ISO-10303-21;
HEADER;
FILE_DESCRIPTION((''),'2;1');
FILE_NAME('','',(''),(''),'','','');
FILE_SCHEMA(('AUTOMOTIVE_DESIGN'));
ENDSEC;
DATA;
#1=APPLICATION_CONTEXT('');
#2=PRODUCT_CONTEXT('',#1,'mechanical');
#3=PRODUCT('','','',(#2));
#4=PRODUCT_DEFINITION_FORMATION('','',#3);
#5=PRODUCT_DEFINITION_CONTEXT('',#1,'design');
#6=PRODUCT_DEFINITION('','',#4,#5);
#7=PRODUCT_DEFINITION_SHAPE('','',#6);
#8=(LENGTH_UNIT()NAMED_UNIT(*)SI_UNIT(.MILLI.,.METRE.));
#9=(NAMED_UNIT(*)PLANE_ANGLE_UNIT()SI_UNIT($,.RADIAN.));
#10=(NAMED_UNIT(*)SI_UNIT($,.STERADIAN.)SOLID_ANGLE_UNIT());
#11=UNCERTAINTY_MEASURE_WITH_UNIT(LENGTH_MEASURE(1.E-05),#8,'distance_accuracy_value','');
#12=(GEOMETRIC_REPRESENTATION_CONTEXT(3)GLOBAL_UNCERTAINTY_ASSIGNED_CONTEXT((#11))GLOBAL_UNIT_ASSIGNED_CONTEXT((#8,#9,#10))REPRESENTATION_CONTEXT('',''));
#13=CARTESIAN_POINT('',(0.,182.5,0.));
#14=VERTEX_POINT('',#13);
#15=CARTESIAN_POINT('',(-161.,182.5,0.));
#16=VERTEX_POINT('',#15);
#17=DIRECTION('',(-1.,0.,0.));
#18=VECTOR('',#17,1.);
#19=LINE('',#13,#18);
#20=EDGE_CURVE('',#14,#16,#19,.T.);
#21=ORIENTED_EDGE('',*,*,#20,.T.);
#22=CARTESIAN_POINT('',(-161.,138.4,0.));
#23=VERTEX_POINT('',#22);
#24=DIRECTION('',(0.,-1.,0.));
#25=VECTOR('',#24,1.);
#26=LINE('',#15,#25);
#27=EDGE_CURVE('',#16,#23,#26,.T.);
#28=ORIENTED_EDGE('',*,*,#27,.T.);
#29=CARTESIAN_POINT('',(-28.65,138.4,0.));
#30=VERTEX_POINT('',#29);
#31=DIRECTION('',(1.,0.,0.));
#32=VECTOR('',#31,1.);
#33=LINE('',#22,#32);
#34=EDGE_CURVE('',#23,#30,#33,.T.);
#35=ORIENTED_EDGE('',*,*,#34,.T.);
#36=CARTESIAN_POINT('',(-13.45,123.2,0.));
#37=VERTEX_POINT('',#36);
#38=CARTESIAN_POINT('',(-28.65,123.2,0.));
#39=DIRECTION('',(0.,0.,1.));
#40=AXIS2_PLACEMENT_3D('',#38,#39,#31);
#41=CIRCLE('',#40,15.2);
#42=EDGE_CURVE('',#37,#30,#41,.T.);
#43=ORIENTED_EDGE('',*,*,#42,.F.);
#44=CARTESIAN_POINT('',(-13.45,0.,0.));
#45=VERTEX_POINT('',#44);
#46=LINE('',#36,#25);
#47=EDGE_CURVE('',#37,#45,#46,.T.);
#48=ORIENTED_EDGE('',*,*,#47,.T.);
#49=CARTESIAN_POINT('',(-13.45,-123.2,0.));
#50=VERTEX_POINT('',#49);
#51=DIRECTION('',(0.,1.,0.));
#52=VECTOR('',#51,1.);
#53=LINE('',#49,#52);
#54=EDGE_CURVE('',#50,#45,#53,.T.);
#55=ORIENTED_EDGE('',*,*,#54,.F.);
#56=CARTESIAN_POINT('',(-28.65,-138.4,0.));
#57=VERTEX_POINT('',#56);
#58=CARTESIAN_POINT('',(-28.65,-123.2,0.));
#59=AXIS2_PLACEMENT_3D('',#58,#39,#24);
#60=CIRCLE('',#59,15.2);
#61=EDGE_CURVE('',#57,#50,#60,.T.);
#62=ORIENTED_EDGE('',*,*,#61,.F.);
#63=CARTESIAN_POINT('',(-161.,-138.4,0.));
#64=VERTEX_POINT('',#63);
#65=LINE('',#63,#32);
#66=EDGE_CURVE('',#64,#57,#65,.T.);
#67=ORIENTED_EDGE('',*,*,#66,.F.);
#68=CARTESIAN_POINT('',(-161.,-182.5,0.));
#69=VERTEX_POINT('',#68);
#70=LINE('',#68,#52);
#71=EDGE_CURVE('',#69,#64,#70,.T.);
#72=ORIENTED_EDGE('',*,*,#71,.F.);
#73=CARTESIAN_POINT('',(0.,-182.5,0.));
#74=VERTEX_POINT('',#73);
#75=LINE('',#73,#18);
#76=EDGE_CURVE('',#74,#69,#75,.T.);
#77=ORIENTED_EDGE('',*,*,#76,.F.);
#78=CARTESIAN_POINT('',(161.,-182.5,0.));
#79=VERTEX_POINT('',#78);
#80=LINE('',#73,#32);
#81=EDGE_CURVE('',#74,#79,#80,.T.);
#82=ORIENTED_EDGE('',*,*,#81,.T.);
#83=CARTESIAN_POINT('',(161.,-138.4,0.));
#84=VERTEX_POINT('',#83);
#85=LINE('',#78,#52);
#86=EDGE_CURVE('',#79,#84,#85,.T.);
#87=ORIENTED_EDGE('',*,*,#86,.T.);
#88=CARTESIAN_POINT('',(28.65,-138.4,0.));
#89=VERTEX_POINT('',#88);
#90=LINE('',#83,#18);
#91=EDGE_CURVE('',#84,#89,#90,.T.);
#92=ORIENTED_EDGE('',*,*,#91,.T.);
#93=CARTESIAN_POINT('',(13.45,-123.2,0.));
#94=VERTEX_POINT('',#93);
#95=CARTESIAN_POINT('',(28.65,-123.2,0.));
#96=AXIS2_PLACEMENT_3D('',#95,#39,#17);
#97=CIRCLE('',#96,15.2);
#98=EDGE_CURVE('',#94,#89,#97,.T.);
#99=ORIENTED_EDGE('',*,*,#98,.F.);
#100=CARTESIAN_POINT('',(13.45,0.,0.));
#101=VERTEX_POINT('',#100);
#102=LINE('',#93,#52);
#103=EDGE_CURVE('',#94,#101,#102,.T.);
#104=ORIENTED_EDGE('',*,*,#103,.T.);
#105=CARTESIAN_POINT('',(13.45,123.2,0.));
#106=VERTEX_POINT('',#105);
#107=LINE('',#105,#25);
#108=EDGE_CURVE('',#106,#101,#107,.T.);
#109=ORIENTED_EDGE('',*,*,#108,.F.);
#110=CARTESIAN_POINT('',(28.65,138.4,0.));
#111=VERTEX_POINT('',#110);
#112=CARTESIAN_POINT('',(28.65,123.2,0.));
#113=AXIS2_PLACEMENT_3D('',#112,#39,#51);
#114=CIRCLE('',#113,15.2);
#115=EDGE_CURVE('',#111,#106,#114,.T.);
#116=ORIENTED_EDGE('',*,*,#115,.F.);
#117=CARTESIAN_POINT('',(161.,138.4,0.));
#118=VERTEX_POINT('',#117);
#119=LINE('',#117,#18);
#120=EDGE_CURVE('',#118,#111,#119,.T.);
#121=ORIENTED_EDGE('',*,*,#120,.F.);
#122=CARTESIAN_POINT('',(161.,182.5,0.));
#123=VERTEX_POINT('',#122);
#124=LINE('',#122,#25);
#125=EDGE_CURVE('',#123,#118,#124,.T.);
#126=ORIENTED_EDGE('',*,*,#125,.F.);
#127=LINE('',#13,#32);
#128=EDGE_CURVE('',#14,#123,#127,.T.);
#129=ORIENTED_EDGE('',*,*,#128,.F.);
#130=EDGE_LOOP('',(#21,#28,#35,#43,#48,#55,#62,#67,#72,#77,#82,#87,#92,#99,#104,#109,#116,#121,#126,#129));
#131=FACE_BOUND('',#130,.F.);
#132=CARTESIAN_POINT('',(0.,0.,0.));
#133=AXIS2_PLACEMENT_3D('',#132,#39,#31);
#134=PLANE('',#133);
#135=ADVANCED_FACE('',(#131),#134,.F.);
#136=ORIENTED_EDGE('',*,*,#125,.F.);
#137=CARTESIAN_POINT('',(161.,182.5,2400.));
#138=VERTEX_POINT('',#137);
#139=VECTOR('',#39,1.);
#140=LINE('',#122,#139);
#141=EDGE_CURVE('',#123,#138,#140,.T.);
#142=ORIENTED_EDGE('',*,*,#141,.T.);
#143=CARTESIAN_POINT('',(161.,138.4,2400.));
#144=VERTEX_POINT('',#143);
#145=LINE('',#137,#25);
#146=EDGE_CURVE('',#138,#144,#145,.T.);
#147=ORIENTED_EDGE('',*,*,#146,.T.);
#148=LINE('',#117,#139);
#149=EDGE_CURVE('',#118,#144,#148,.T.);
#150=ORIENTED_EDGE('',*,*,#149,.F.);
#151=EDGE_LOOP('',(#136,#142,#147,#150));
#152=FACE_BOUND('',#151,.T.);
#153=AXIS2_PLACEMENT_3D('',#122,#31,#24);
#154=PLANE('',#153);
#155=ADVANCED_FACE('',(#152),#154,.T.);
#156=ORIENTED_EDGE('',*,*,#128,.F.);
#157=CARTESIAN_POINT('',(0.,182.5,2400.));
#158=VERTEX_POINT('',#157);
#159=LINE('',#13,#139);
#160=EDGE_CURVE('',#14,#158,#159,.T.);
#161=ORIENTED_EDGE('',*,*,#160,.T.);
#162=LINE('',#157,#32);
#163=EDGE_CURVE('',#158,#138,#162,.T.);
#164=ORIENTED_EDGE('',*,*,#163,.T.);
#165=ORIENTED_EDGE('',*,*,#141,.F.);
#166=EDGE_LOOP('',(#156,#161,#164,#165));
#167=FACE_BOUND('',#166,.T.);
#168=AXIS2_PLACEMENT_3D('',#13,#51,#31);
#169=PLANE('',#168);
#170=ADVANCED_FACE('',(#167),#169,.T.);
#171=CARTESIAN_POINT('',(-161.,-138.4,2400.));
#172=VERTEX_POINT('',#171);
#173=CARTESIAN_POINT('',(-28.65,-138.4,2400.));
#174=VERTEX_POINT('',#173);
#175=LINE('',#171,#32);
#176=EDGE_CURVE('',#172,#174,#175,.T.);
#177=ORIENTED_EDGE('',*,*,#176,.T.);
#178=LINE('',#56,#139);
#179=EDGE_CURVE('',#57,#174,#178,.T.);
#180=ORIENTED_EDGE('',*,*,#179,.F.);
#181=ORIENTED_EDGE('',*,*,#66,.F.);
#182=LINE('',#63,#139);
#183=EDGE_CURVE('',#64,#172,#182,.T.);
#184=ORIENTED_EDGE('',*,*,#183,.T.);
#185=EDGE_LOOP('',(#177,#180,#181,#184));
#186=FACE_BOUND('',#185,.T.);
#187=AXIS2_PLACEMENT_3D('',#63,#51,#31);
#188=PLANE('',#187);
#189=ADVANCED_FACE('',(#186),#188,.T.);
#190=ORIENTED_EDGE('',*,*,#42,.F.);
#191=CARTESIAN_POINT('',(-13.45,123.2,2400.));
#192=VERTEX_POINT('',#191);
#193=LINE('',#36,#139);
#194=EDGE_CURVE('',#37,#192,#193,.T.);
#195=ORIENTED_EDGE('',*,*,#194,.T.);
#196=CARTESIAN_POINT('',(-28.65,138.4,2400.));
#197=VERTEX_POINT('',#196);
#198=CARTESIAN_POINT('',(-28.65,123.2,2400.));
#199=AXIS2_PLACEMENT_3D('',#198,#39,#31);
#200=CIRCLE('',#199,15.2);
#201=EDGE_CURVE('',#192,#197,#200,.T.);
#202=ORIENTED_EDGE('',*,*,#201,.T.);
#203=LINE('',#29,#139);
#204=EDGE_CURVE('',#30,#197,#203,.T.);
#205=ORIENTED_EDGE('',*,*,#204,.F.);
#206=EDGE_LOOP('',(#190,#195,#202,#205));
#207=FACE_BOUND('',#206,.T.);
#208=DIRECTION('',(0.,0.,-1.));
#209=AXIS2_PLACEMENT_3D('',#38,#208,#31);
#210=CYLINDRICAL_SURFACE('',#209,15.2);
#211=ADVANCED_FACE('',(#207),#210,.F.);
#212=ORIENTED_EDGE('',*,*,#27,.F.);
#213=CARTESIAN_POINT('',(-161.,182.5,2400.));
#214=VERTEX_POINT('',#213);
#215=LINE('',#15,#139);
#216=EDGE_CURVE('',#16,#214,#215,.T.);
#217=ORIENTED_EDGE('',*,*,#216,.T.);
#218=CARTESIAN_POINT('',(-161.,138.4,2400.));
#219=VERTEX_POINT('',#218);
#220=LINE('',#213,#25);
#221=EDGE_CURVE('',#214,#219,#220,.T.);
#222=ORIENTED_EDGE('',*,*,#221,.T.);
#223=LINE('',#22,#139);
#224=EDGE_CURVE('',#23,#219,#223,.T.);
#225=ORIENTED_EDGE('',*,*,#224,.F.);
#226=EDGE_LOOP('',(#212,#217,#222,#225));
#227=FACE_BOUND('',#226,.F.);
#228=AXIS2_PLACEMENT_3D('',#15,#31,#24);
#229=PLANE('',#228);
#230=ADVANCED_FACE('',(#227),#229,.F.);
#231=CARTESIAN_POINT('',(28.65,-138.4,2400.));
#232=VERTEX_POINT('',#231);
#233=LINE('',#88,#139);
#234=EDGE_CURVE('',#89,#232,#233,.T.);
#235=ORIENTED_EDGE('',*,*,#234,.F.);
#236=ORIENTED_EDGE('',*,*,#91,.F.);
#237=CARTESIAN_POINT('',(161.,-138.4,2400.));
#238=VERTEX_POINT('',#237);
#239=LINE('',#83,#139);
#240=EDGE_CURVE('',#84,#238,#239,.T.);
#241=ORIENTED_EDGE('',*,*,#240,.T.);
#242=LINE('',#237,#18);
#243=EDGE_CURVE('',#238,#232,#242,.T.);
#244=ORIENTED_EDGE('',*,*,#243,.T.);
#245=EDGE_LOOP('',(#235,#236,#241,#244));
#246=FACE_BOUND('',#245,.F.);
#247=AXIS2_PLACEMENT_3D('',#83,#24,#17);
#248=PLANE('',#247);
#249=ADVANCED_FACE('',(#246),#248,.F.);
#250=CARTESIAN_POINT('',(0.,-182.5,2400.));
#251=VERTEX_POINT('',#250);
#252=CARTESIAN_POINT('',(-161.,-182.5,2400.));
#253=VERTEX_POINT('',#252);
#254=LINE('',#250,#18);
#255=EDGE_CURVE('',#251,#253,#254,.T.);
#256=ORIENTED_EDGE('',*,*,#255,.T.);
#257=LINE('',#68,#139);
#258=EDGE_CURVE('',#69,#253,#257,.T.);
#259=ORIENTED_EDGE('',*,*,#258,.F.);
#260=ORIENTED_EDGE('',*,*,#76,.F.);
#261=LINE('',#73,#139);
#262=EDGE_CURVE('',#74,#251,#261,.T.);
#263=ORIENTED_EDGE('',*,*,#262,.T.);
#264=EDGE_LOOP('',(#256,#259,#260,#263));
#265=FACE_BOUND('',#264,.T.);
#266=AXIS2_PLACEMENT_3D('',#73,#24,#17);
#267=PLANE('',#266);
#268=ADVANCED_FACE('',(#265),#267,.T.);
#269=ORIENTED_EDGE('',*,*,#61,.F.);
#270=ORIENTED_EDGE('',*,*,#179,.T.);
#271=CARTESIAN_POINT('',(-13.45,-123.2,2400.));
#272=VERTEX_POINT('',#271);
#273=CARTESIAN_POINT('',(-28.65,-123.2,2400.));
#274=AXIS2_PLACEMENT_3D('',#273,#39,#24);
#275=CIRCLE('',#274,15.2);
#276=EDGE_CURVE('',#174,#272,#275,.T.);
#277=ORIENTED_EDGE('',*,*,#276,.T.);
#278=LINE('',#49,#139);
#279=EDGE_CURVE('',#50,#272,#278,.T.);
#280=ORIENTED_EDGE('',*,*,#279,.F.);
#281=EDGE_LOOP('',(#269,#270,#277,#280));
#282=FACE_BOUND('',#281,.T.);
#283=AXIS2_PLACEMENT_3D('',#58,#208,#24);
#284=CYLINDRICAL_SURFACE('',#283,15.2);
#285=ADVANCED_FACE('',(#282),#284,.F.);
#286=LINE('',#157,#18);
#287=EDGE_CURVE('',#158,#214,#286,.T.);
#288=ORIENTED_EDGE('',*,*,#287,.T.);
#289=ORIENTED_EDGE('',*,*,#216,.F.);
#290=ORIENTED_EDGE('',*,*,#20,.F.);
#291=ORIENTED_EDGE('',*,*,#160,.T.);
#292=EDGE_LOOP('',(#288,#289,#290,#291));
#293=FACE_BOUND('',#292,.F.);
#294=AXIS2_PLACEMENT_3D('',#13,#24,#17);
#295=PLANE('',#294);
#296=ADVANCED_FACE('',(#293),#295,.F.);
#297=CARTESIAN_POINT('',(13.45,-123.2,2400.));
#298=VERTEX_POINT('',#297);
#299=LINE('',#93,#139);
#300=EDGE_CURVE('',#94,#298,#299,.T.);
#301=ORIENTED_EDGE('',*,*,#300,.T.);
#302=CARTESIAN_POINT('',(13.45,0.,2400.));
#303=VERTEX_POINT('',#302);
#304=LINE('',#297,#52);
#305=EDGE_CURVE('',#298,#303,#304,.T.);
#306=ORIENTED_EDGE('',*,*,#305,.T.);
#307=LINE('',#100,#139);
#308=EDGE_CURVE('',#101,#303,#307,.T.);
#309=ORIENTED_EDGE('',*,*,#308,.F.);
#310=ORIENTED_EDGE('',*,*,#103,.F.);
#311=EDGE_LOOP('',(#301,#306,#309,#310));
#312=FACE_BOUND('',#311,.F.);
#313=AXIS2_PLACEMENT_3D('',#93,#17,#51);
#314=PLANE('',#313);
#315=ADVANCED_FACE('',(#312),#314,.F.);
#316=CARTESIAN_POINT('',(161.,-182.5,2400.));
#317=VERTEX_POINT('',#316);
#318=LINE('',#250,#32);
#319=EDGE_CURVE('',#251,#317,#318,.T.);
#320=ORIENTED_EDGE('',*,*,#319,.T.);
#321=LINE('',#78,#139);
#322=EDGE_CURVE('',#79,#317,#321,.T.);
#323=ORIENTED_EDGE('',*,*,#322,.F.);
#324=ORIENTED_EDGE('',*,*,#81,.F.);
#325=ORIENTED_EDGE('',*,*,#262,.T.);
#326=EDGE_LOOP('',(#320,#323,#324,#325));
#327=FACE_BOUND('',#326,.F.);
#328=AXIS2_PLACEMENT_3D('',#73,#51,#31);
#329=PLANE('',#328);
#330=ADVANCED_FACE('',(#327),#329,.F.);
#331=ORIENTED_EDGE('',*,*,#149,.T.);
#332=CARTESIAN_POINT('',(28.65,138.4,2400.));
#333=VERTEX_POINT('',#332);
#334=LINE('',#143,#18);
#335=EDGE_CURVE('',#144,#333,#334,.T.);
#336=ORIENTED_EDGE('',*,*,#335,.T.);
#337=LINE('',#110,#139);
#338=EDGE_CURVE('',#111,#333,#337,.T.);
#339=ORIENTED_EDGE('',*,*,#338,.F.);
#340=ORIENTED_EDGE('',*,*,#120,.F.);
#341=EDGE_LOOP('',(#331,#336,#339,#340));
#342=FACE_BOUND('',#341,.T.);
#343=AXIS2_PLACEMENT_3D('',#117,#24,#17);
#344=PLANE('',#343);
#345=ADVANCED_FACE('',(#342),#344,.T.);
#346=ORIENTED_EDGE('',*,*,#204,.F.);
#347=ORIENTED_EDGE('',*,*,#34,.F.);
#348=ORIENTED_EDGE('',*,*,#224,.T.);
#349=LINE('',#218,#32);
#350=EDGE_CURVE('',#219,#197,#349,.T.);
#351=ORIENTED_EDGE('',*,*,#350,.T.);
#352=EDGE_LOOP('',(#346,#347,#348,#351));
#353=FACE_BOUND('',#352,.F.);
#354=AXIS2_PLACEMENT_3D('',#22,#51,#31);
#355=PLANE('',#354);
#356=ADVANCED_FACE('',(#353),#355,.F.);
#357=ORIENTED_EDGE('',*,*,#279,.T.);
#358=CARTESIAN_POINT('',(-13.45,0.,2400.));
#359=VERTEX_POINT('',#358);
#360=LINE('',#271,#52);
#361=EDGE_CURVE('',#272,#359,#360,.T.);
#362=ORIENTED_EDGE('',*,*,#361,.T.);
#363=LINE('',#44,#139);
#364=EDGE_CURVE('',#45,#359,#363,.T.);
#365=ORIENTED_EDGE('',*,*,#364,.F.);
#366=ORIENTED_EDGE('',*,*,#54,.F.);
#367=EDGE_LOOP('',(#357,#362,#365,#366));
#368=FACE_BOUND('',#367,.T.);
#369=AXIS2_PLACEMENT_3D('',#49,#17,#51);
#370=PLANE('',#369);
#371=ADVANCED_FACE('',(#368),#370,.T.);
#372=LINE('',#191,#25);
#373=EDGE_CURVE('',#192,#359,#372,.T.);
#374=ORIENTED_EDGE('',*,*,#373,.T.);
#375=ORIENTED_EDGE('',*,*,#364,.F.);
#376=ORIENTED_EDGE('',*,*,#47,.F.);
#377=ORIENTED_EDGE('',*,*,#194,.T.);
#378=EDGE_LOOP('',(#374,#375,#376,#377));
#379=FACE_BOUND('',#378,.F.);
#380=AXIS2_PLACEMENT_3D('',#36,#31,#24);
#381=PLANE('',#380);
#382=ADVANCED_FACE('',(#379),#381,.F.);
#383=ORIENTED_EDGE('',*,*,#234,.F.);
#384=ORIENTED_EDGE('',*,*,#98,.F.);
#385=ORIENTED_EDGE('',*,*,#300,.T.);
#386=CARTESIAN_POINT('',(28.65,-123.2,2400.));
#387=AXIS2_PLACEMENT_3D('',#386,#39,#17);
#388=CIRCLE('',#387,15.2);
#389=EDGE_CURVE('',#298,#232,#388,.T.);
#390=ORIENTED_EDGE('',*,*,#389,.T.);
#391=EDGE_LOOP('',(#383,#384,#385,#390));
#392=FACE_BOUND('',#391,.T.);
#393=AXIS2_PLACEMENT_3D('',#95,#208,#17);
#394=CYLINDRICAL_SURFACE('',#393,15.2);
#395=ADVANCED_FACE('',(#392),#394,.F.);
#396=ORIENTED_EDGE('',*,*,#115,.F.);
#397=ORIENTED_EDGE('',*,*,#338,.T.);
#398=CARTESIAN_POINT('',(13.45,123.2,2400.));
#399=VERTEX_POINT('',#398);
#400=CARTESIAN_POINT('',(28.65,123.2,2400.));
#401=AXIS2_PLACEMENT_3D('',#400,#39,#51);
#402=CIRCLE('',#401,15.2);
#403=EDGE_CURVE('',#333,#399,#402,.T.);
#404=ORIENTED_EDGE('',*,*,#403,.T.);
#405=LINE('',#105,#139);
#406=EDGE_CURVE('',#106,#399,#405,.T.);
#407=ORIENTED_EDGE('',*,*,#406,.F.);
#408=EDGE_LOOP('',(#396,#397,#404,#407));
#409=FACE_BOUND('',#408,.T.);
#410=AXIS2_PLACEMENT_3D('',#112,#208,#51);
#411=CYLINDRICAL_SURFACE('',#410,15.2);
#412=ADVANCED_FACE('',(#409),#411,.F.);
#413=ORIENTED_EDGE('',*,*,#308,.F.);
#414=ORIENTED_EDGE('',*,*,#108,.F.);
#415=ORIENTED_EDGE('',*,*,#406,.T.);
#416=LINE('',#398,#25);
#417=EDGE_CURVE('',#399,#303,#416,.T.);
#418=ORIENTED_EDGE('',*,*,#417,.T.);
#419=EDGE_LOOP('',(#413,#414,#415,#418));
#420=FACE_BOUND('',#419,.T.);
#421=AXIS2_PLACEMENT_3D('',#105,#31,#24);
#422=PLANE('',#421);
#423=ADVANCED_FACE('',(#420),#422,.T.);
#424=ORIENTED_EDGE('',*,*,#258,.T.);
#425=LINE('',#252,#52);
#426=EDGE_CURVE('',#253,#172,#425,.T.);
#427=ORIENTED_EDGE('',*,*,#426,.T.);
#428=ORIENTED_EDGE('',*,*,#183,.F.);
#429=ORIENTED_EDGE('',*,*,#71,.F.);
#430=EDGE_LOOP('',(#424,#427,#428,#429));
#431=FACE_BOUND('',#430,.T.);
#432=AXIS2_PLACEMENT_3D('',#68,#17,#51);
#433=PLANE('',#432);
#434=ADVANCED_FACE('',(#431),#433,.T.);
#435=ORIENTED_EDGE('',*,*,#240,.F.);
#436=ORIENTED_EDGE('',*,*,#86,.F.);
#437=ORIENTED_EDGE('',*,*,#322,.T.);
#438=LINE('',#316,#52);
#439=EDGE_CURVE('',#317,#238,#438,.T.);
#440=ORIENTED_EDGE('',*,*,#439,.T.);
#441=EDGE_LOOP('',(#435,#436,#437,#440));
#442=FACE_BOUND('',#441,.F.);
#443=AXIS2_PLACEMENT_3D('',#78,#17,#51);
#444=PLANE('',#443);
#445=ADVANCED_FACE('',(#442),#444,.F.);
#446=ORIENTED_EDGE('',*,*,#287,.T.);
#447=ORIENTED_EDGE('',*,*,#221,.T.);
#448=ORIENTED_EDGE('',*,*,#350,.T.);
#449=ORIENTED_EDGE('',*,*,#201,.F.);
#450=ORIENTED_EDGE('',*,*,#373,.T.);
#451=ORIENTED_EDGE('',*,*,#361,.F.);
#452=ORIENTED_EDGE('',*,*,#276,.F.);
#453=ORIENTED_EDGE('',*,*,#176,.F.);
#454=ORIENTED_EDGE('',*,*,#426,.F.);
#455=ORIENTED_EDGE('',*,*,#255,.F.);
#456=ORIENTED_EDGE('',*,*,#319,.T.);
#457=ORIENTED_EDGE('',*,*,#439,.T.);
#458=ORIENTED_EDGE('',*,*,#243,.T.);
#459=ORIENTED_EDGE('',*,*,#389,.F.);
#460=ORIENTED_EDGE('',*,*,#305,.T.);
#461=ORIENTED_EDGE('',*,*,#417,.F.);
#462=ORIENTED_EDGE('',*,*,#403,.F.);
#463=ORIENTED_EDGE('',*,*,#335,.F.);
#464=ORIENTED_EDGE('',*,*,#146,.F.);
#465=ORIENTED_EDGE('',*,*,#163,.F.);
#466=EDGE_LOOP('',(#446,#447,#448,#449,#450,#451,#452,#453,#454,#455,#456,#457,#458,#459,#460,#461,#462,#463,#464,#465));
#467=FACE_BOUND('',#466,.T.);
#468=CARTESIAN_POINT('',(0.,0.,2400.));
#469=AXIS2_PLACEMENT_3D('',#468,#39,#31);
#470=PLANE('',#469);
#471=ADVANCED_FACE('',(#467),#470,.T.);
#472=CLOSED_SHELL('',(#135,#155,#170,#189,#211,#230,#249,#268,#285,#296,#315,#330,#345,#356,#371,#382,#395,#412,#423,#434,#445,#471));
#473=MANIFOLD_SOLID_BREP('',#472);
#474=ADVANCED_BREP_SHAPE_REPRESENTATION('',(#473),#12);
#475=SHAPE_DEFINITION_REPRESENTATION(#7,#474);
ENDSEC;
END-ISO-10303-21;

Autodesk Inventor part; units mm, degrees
ref_plane "YZ Plane" through (0, 0, 0) normal (1, 0, 0) x (0, 1, 0)
ref_plane "Start plane" through (0, 0, 0) normal (0, 0, 1) x (1, 0, 0)
ref_plane "End plane" through (0, 0, 2400) normal (0, 0, 1) x (1, 0, 0)
sketch "Sketch" plane through (0, 0, 0) normal (0, 0, 1) x (1, 0, 0)
  line L0 (-161, -182.5) -> (-161, -138.4)
  line L1 (-161, -138.4) -> (-28.65, -138.4)
  line L2 (-13.45, -123.2) -> (-13.45, 0)
  line L3 (-13.45, 0) -> (0, 0) construction
  line L4 (0, 0) -> (0, -182.5) construction
  line L5 (0, -182.5) -> (-161, -182.5)
  line L6 (-60, 0) -> (80, 0) construction
  line L7 (0, -60) -> (0, 80) construction
  line L8 (161, -182.5) -> (161, -138.4)
  line L9 (161, -138.4) -> (28.65, -138.4)
  line L10 (13.45, -123.2) -> (13.45, 0)
  line L11 (13.45, 0) -> (0, 0) construction
  line L12 (0, -182.5) -> (161, -182.5)
  line L13 (-161, 182.5) -> (-161, 138.4)
  line L14 (-161, 138.4) -> (-28.65, 138.4)
  line L15 (-13.45, 123.2) -> (-13.45, 0)
  line L16 (0, 182.5) -> (-161, 182.5)
  line L17 (161, 182.5) -> (161, 138.4)
  line L18 (161, 138.4) -> (28.65, 138.4)
  line L19 (0, 182.5) -> (161, 182.5)
  line L20 (13.45, 123.2) -> (13.45, 0)
  arc A0 (-13.45, 123.2) -> (-28.65, 138.4) centre (-28.65, 123.2) ccw
  arc A1 (28.65, 138.4) -> (13.45, 123.2) centre (28.65, 123.2) ccw
  arc A2 (13.45, -123.2) -> (28.65, -138.4) centre (28.65, -123.2) ccw
  arc A3 (-28.65, -138.4) -> (-13.45, -123.2) centre (-28.65, -123.2) ccw
  line L21 (0, 108) -> (0, -88) construction
  line L22 (-88, 0) -> (108, 0) construction
  point P0 (-13.45, -138.4)
  point P1 (13.45, -138.4)
  point P2 (-13.45, 138.4)
  point P3 (13.45, 138.4)
  dimension "d1" = 182.5
  dimension "d2" = 44.1
  dimension "d3" = 161
  dimension "d4" = 13.45
  dimension "d10" = 15.2
extrude "Body" add sketch "Sketch" along normal up to surface (2400 mm away) from surface at 0
sketch "Sketch4" plane through (0, 0, 0) normal (0, 0, 1) x (1, 0, 0)
  line L0 (0, 0) -> (10, 0)
ref_plane "Work Plane3" through (0, 0, 0) normal (0, -1, 0) x (1, 0, 0)
sketch "Sketch5" plane through (0, 0, 0) normal (0, -1, 0) x (1, 0, 0)
  line L0 (-2, 0) -> (12, 0) projected
  line L1 (-2, 2400) -> (12, 2400) projected
  dimension "d14" = 2400
equation "\"d1\" = 0.5 * G_H"
equation "\"d2\" = G_T1"
equation "\"d3\" = 0.5 * G_W"
equation "\"d4\" = 0.5 * G_T"
equation "\"d10\" = G_IR"
equation "\"d5\" = G_L"
equation "\"G_W\" = 322"
equation "\"G_H\" = 365"
equation "\"G_T\" = 26.9"
equation "\"G_T1\" = 44.1"
equation "\"G_IR\" = 15.2"
equation "\"G_L\" = d14"
equation "\"G_OFFSET_START\" = 0"
equation "\"G_OFFSET_END\" = 0"
properties part number "AS 3679 - 310 UC - 283 - 2400" material "Steel, Mild"
